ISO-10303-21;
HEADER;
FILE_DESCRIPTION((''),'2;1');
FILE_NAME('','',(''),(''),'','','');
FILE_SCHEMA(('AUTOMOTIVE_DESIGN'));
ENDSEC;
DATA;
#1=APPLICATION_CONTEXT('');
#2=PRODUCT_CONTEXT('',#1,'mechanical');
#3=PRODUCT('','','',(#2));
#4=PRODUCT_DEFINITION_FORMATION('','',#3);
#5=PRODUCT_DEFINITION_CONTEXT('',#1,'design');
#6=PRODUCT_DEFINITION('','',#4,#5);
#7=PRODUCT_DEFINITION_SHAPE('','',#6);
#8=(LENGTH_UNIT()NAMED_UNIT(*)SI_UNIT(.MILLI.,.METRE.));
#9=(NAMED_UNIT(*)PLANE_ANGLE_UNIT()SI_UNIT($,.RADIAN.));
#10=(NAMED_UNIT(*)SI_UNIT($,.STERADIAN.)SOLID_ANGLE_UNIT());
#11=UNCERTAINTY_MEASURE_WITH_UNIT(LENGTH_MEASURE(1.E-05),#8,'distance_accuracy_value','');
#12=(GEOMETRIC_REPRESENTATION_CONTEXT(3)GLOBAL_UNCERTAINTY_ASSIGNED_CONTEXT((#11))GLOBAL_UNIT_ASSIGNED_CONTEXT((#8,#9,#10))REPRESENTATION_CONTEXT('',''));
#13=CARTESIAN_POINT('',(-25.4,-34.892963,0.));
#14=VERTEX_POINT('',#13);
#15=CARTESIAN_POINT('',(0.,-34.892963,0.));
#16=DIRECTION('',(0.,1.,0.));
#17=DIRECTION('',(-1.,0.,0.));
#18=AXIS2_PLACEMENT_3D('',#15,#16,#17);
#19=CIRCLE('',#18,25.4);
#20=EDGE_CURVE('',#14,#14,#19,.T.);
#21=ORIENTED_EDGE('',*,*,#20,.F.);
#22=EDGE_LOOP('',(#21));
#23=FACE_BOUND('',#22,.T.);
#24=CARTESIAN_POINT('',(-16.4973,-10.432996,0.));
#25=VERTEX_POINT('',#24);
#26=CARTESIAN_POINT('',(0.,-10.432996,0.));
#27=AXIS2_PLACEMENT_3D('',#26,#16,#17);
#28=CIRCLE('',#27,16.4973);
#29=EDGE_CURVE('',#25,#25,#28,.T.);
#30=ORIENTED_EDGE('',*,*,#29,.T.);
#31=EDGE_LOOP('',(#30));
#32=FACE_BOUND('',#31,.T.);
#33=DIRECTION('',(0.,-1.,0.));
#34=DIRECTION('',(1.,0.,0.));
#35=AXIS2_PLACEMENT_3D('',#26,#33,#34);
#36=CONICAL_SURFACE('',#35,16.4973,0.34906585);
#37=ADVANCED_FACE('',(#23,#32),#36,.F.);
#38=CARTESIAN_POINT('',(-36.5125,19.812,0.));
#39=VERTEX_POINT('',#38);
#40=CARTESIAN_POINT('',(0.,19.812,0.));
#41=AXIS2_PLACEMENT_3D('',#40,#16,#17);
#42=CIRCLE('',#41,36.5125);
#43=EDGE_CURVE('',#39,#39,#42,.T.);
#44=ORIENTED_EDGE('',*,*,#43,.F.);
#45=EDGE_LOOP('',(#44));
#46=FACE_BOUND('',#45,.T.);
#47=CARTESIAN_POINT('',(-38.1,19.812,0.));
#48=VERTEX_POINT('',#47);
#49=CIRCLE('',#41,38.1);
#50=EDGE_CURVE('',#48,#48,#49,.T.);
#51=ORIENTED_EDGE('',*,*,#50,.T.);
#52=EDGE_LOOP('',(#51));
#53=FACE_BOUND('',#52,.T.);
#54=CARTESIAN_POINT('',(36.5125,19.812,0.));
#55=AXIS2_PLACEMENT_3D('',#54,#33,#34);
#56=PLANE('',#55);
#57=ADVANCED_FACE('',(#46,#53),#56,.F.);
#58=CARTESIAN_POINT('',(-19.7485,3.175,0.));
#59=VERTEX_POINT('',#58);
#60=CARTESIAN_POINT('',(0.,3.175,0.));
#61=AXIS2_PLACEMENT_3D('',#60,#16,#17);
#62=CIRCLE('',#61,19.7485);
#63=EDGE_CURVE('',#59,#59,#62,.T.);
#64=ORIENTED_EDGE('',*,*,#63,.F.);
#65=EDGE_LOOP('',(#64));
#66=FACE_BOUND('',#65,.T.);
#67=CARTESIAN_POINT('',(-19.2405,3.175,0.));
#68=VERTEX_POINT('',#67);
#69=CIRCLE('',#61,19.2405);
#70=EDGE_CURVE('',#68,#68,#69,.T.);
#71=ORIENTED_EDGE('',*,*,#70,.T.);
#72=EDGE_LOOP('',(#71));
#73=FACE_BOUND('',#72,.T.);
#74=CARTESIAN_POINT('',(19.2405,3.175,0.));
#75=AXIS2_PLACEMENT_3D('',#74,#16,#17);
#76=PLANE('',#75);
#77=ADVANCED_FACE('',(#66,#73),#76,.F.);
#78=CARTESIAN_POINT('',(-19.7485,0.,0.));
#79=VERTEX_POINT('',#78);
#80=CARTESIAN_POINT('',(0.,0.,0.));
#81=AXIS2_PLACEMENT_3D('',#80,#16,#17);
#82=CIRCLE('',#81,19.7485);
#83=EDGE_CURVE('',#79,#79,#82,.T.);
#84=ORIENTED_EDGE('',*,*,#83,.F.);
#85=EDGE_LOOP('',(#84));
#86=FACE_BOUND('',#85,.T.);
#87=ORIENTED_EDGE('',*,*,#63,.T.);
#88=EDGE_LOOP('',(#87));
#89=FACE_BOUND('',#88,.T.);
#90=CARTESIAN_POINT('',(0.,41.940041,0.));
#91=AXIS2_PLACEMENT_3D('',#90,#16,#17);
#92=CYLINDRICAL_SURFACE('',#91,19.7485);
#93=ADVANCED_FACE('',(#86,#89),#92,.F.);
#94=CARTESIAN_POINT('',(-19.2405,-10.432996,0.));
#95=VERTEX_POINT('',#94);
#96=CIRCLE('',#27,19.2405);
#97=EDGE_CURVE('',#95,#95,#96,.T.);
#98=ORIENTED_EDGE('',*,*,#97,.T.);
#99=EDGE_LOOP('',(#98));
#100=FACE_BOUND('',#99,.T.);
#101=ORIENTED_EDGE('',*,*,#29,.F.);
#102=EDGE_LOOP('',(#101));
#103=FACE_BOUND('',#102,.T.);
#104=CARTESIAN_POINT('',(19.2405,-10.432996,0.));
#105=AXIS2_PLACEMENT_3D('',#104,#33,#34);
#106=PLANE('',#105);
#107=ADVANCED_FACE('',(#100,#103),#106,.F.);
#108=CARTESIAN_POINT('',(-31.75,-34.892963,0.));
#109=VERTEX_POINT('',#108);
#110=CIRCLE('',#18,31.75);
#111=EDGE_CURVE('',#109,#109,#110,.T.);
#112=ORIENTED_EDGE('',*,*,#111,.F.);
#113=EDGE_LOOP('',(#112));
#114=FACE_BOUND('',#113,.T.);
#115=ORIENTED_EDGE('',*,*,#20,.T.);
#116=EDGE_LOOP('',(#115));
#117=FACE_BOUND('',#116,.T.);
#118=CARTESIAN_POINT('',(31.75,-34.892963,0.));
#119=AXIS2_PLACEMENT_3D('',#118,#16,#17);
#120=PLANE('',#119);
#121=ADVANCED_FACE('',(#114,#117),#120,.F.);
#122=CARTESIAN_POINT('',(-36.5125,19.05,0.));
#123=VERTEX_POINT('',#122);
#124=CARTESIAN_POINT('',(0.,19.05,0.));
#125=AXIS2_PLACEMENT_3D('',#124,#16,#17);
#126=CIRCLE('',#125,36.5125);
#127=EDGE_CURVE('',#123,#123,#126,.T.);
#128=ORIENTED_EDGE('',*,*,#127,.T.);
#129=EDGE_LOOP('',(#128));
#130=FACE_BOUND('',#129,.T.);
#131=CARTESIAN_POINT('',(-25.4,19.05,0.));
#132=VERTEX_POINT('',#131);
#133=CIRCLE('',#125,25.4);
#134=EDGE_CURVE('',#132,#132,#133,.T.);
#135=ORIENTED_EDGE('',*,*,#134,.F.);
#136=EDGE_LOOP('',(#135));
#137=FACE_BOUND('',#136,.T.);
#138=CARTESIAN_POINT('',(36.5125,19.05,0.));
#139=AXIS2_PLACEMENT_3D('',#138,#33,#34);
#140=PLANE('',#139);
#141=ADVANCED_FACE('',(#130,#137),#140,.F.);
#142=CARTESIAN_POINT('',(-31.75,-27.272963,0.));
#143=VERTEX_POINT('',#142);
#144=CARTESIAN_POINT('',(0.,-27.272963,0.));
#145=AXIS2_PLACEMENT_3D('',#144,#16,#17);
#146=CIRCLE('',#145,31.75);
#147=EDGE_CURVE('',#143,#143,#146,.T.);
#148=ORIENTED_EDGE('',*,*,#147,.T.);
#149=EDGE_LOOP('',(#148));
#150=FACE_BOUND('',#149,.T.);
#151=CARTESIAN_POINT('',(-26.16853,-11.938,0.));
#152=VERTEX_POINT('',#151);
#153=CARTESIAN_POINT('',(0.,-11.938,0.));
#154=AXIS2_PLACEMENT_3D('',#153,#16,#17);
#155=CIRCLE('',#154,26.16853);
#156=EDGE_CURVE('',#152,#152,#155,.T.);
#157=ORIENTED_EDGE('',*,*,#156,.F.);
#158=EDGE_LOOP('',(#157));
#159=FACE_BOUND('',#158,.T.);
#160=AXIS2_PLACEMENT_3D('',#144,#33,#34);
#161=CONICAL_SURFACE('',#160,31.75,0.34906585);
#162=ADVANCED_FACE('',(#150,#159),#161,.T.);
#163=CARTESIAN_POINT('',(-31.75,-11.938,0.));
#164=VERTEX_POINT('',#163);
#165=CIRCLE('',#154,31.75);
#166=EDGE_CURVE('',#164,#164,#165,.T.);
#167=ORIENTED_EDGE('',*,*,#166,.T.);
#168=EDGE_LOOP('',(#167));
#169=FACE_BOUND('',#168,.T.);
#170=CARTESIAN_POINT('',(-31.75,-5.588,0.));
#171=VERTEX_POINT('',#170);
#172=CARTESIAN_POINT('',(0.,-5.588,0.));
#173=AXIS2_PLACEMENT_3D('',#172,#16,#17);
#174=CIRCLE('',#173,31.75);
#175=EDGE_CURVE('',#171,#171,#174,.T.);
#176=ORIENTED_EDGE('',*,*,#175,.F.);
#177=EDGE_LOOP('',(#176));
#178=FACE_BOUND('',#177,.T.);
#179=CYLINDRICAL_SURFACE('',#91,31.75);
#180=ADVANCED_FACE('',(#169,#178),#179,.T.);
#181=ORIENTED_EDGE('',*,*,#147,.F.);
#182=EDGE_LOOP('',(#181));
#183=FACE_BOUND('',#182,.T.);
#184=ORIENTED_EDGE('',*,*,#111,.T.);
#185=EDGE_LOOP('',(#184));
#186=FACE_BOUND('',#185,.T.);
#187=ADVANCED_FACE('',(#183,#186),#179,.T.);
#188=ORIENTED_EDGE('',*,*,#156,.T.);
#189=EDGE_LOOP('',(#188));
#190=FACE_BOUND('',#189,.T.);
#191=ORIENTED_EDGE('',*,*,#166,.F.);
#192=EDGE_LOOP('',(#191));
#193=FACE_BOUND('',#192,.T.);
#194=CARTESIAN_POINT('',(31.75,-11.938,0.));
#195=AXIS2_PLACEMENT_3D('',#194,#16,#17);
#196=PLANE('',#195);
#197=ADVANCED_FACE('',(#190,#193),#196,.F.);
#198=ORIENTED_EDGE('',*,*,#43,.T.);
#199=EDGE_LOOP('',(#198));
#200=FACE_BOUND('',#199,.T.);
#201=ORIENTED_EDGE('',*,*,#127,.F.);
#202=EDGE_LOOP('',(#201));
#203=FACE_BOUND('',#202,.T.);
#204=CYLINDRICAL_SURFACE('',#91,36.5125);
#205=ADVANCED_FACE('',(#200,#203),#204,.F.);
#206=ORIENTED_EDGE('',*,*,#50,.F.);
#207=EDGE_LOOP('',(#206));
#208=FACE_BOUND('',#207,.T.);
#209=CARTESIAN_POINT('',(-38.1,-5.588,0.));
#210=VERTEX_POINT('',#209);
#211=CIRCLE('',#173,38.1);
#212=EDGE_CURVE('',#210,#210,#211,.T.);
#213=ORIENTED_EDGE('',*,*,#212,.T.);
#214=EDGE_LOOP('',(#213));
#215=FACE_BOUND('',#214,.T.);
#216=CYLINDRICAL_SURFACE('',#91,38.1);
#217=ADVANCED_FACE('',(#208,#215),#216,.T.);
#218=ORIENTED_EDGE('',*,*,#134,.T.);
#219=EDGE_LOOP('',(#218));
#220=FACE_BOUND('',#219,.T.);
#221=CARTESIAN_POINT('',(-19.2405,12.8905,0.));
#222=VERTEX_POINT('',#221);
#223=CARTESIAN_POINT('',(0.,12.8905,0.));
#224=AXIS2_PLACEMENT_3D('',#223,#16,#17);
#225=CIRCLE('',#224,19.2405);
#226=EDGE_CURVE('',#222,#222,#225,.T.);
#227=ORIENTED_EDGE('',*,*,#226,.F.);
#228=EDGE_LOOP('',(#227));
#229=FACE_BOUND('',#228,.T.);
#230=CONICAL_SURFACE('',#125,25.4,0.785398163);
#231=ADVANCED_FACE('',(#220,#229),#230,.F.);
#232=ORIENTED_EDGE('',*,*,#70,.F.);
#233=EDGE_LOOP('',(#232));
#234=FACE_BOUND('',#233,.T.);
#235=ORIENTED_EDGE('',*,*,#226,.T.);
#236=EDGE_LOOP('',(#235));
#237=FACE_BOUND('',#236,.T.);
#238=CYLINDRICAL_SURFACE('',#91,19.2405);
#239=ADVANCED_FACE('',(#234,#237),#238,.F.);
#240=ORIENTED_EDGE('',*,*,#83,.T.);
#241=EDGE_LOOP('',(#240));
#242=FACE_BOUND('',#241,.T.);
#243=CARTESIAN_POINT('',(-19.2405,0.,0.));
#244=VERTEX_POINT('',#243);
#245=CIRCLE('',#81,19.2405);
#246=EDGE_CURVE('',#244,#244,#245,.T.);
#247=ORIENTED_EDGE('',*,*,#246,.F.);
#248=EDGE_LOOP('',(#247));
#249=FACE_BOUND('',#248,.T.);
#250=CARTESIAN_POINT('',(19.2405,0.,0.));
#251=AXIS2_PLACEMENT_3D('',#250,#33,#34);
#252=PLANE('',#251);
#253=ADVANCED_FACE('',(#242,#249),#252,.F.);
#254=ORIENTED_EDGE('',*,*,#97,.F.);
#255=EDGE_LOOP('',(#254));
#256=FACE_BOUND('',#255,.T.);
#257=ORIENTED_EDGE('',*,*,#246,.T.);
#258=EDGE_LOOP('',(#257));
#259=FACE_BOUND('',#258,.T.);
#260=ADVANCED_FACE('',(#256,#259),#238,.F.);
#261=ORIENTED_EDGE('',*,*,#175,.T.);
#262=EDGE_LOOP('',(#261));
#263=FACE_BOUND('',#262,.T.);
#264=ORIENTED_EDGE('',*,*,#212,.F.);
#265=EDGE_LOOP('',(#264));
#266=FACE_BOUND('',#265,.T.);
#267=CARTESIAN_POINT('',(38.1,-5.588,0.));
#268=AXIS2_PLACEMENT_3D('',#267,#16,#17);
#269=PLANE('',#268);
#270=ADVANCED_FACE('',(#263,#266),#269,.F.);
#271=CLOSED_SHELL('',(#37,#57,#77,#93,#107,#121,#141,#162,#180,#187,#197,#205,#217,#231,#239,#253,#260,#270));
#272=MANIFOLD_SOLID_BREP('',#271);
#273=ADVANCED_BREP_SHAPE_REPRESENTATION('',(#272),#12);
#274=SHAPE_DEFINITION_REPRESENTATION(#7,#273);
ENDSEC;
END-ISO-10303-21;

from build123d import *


with BuildPart() as part:
    # Sketch1 → Revolve1 (revolve)
    with BuildSketch(Plane.XY, mode=Mode.PRIVATE) as revolve1_sk:
        Polygon((38.1, 19.812), (38.1, -5.588), (31.75, -5.588), (31.75, -11.938), (26.168529842, -11.938), (31.75, -27.272963227), (31.75, -34.892963227), (25.4, -34.892963227), (16.4973, -10.432996005), (19.2405, -10.432996005), (19.2405, 0), (19.7485, 0), (19.7485, 3.175), (19.2405, 3.175), (19.2405, 12.8905), (25.4, 19.05), (36.5125, 19.05), (36.5125, 19.812), align=None)
    revolve(revolve1_sk.sketch.rotate(Axis((0, 41.940040976, 0), (0, -1, 0)), 180), axis=Axis((0, 41.940040976, 0), (0, -1, 0)))


solid = part.part
